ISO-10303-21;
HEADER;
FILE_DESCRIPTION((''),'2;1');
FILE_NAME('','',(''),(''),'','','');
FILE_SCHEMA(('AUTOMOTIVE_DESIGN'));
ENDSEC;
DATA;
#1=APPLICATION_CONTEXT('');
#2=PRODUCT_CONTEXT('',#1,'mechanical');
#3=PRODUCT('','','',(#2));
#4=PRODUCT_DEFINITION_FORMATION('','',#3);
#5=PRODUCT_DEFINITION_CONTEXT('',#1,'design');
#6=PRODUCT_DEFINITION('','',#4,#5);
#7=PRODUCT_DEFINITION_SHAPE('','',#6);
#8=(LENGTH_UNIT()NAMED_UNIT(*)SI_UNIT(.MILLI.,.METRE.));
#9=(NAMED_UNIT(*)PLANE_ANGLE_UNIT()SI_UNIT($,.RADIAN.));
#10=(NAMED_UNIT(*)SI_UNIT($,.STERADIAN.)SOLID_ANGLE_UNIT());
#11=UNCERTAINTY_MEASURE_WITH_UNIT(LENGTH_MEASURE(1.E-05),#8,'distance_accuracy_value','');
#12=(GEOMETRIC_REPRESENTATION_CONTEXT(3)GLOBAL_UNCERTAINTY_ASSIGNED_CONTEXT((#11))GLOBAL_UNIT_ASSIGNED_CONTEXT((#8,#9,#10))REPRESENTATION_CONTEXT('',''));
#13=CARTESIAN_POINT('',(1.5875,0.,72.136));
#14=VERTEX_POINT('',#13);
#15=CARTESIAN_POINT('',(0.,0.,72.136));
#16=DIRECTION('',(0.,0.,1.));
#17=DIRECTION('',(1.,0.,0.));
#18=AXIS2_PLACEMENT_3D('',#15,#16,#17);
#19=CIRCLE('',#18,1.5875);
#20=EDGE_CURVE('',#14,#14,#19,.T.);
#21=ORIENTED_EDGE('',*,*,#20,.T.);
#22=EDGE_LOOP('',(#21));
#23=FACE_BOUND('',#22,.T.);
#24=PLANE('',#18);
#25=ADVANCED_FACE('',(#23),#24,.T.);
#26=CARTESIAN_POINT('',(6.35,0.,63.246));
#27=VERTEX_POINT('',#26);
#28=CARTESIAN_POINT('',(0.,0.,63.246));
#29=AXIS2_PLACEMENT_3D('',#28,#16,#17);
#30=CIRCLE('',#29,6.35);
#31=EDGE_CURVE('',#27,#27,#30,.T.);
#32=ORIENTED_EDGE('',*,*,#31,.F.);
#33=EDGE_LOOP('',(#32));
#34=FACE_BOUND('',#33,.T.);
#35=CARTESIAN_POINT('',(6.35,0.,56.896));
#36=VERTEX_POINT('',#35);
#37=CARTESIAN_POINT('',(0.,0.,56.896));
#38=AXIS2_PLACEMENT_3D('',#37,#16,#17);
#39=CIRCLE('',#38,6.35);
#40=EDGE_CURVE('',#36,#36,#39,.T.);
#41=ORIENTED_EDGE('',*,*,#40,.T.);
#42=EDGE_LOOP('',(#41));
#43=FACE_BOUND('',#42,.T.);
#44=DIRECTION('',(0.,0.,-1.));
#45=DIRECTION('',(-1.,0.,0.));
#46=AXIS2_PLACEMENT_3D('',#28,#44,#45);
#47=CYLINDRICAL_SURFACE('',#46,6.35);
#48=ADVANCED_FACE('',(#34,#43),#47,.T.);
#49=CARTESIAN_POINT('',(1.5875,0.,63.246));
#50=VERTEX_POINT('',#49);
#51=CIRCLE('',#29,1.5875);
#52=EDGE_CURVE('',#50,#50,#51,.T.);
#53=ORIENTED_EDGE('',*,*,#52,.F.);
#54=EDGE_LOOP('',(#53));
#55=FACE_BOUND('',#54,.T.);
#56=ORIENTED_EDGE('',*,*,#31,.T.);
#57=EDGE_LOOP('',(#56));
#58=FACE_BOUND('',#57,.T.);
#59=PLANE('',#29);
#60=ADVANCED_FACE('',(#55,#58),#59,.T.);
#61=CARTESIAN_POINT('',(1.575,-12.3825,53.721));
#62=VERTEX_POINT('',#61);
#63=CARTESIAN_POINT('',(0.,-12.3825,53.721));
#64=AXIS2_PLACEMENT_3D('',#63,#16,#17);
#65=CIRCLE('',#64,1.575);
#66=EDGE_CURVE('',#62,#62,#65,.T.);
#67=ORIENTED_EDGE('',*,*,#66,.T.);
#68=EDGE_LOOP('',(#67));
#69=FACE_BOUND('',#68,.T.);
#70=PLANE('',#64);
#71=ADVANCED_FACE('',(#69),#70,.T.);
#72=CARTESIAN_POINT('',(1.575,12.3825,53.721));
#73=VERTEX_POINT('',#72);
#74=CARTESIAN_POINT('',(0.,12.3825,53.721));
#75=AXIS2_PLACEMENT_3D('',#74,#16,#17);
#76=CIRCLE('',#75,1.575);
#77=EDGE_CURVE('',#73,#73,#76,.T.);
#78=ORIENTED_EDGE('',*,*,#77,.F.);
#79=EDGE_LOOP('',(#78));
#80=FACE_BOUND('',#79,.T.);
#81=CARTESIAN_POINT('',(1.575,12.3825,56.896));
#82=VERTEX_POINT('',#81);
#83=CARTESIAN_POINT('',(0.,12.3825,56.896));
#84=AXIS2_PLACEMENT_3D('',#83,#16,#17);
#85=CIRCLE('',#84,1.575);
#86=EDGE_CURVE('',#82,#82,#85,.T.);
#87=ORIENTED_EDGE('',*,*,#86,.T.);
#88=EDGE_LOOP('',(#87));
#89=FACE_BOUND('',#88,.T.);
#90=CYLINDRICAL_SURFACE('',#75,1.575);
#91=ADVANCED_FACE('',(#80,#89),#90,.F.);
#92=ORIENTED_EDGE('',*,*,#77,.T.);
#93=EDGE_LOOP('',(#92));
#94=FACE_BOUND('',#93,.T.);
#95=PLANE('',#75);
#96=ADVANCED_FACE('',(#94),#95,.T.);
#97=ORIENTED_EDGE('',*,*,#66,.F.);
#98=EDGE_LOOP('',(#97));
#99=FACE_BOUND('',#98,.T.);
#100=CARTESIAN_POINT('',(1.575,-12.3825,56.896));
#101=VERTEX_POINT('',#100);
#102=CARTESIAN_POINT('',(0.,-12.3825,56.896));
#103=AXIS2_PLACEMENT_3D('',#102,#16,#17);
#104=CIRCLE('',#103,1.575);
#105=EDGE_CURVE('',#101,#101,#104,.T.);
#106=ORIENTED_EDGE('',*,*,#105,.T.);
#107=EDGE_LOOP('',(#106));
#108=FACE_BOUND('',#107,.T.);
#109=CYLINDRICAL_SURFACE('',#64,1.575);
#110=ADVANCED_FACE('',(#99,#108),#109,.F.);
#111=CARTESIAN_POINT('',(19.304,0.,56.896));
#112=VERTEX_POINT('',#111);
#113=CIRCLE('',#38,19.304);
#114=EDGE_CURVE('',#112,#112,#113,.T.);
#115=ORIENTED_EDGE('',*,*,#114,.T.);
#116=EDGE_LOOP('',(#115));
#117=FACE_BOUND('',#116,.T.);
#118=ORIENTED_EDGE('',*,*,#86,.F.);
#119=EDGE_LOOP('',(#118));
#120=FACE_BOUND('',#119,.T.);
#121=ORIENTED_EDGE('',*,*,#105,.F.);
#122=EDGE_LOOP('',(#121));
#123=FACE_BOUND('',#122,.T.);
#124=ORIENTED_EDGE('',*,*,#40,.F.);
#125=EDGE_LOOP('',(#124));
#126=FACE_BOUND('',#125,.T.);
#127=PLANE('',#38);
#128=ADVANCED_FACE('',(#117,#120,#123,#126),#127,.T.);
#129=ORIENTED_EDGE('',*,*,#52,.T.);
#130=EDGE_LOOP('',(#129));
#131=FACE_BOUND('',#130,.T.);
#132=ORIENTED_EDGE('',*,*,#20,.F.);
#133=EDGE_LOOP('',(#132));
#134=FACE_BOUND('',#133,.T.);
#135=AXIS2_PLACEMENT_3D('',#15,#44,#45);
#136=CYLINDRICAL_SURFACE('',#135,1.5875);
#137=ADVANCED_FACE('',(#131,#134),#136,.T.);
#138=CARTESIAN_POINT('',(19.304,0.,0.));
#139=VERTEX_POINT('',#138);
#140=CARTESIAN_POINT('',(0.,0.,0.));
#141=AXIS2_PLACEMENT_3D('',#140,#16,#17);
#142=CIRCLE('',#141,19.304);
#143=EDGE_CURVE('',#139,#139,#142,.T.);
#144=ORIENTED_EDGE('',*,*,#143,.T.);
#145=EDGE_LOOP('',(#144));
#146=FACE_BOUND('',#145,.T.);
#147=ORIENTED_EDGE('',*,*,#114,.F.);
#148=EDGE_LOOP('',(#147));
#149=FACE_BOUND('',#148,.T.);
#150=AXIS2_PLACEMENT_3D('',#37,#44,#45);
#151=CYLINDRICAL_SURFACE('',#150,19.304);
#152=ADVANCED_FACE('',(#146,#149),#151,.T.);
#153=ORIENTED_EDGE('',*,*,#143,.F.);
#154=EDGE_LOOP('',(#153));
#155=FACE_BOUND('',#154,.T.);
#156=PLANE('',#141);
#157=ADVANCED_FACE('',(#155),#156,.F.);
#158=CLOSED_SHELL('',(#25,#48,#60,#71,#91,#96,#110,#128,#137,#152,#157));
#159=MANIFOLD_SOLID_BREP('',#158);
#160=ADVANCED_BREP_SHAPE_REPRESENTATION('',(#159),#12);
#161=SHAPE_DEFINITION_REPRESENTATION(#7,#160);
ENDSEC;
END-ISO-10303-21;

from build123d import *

# Parameters (mm, degrees)
SKETCH1_R           = 19.304
BOSS_EXTRUDE1_DEPTH = 56.896
SKETCH2_R           = 6.35
BOSS_EXTRUDE2_DEPTH = 6.35
SKETCH3_R           = 1.575
CUT_EXTRUDE1_DEPTH  = 3.175
SKETCH4_R           = 1.5875
BOSS_EXTRUDE3_DEPTH = 8.89


with BuildPart() as part:
    # Sketch1 → Boss-Extrude1 (new body)
    with BuildSketch(Plane.XY):
        Circle(SKETCH1_R)
    extrude(amount=BOSS_EXTRUDE1_DEPTH)

    # Sketch2 → Boss-Extrude2 (add)
    with BuildSketch(Plane.XY.offset(56.896)):
        Circle(SKETCH2_R)
    extrude(amount=BOSS_EXTRUDE2_DEPTH)

    # Sketch3 → Cut-Extrude1 (cut)
    with BuildSketch(Plane.XY.offset(56.896)):
        with Locations((0, 12.3825)):
            Circle(SKETCH3_R)
        with Locations((0, -12.3825)):
            Circle(SKETCH3_R)
    extrude(amount=-CUT_EXTRUDE1_DEPTH, mode=Mode.SUBTRACT)

    # Sketch4 → Boss-Extrude3 (add)
    with BuildSketch(Plane.XY.offset(63.246)):
        Circle(SKETCH4_R)
    extrude(amount=BOSS_EXTRUDE3_DEPTH)


solid = part.part
